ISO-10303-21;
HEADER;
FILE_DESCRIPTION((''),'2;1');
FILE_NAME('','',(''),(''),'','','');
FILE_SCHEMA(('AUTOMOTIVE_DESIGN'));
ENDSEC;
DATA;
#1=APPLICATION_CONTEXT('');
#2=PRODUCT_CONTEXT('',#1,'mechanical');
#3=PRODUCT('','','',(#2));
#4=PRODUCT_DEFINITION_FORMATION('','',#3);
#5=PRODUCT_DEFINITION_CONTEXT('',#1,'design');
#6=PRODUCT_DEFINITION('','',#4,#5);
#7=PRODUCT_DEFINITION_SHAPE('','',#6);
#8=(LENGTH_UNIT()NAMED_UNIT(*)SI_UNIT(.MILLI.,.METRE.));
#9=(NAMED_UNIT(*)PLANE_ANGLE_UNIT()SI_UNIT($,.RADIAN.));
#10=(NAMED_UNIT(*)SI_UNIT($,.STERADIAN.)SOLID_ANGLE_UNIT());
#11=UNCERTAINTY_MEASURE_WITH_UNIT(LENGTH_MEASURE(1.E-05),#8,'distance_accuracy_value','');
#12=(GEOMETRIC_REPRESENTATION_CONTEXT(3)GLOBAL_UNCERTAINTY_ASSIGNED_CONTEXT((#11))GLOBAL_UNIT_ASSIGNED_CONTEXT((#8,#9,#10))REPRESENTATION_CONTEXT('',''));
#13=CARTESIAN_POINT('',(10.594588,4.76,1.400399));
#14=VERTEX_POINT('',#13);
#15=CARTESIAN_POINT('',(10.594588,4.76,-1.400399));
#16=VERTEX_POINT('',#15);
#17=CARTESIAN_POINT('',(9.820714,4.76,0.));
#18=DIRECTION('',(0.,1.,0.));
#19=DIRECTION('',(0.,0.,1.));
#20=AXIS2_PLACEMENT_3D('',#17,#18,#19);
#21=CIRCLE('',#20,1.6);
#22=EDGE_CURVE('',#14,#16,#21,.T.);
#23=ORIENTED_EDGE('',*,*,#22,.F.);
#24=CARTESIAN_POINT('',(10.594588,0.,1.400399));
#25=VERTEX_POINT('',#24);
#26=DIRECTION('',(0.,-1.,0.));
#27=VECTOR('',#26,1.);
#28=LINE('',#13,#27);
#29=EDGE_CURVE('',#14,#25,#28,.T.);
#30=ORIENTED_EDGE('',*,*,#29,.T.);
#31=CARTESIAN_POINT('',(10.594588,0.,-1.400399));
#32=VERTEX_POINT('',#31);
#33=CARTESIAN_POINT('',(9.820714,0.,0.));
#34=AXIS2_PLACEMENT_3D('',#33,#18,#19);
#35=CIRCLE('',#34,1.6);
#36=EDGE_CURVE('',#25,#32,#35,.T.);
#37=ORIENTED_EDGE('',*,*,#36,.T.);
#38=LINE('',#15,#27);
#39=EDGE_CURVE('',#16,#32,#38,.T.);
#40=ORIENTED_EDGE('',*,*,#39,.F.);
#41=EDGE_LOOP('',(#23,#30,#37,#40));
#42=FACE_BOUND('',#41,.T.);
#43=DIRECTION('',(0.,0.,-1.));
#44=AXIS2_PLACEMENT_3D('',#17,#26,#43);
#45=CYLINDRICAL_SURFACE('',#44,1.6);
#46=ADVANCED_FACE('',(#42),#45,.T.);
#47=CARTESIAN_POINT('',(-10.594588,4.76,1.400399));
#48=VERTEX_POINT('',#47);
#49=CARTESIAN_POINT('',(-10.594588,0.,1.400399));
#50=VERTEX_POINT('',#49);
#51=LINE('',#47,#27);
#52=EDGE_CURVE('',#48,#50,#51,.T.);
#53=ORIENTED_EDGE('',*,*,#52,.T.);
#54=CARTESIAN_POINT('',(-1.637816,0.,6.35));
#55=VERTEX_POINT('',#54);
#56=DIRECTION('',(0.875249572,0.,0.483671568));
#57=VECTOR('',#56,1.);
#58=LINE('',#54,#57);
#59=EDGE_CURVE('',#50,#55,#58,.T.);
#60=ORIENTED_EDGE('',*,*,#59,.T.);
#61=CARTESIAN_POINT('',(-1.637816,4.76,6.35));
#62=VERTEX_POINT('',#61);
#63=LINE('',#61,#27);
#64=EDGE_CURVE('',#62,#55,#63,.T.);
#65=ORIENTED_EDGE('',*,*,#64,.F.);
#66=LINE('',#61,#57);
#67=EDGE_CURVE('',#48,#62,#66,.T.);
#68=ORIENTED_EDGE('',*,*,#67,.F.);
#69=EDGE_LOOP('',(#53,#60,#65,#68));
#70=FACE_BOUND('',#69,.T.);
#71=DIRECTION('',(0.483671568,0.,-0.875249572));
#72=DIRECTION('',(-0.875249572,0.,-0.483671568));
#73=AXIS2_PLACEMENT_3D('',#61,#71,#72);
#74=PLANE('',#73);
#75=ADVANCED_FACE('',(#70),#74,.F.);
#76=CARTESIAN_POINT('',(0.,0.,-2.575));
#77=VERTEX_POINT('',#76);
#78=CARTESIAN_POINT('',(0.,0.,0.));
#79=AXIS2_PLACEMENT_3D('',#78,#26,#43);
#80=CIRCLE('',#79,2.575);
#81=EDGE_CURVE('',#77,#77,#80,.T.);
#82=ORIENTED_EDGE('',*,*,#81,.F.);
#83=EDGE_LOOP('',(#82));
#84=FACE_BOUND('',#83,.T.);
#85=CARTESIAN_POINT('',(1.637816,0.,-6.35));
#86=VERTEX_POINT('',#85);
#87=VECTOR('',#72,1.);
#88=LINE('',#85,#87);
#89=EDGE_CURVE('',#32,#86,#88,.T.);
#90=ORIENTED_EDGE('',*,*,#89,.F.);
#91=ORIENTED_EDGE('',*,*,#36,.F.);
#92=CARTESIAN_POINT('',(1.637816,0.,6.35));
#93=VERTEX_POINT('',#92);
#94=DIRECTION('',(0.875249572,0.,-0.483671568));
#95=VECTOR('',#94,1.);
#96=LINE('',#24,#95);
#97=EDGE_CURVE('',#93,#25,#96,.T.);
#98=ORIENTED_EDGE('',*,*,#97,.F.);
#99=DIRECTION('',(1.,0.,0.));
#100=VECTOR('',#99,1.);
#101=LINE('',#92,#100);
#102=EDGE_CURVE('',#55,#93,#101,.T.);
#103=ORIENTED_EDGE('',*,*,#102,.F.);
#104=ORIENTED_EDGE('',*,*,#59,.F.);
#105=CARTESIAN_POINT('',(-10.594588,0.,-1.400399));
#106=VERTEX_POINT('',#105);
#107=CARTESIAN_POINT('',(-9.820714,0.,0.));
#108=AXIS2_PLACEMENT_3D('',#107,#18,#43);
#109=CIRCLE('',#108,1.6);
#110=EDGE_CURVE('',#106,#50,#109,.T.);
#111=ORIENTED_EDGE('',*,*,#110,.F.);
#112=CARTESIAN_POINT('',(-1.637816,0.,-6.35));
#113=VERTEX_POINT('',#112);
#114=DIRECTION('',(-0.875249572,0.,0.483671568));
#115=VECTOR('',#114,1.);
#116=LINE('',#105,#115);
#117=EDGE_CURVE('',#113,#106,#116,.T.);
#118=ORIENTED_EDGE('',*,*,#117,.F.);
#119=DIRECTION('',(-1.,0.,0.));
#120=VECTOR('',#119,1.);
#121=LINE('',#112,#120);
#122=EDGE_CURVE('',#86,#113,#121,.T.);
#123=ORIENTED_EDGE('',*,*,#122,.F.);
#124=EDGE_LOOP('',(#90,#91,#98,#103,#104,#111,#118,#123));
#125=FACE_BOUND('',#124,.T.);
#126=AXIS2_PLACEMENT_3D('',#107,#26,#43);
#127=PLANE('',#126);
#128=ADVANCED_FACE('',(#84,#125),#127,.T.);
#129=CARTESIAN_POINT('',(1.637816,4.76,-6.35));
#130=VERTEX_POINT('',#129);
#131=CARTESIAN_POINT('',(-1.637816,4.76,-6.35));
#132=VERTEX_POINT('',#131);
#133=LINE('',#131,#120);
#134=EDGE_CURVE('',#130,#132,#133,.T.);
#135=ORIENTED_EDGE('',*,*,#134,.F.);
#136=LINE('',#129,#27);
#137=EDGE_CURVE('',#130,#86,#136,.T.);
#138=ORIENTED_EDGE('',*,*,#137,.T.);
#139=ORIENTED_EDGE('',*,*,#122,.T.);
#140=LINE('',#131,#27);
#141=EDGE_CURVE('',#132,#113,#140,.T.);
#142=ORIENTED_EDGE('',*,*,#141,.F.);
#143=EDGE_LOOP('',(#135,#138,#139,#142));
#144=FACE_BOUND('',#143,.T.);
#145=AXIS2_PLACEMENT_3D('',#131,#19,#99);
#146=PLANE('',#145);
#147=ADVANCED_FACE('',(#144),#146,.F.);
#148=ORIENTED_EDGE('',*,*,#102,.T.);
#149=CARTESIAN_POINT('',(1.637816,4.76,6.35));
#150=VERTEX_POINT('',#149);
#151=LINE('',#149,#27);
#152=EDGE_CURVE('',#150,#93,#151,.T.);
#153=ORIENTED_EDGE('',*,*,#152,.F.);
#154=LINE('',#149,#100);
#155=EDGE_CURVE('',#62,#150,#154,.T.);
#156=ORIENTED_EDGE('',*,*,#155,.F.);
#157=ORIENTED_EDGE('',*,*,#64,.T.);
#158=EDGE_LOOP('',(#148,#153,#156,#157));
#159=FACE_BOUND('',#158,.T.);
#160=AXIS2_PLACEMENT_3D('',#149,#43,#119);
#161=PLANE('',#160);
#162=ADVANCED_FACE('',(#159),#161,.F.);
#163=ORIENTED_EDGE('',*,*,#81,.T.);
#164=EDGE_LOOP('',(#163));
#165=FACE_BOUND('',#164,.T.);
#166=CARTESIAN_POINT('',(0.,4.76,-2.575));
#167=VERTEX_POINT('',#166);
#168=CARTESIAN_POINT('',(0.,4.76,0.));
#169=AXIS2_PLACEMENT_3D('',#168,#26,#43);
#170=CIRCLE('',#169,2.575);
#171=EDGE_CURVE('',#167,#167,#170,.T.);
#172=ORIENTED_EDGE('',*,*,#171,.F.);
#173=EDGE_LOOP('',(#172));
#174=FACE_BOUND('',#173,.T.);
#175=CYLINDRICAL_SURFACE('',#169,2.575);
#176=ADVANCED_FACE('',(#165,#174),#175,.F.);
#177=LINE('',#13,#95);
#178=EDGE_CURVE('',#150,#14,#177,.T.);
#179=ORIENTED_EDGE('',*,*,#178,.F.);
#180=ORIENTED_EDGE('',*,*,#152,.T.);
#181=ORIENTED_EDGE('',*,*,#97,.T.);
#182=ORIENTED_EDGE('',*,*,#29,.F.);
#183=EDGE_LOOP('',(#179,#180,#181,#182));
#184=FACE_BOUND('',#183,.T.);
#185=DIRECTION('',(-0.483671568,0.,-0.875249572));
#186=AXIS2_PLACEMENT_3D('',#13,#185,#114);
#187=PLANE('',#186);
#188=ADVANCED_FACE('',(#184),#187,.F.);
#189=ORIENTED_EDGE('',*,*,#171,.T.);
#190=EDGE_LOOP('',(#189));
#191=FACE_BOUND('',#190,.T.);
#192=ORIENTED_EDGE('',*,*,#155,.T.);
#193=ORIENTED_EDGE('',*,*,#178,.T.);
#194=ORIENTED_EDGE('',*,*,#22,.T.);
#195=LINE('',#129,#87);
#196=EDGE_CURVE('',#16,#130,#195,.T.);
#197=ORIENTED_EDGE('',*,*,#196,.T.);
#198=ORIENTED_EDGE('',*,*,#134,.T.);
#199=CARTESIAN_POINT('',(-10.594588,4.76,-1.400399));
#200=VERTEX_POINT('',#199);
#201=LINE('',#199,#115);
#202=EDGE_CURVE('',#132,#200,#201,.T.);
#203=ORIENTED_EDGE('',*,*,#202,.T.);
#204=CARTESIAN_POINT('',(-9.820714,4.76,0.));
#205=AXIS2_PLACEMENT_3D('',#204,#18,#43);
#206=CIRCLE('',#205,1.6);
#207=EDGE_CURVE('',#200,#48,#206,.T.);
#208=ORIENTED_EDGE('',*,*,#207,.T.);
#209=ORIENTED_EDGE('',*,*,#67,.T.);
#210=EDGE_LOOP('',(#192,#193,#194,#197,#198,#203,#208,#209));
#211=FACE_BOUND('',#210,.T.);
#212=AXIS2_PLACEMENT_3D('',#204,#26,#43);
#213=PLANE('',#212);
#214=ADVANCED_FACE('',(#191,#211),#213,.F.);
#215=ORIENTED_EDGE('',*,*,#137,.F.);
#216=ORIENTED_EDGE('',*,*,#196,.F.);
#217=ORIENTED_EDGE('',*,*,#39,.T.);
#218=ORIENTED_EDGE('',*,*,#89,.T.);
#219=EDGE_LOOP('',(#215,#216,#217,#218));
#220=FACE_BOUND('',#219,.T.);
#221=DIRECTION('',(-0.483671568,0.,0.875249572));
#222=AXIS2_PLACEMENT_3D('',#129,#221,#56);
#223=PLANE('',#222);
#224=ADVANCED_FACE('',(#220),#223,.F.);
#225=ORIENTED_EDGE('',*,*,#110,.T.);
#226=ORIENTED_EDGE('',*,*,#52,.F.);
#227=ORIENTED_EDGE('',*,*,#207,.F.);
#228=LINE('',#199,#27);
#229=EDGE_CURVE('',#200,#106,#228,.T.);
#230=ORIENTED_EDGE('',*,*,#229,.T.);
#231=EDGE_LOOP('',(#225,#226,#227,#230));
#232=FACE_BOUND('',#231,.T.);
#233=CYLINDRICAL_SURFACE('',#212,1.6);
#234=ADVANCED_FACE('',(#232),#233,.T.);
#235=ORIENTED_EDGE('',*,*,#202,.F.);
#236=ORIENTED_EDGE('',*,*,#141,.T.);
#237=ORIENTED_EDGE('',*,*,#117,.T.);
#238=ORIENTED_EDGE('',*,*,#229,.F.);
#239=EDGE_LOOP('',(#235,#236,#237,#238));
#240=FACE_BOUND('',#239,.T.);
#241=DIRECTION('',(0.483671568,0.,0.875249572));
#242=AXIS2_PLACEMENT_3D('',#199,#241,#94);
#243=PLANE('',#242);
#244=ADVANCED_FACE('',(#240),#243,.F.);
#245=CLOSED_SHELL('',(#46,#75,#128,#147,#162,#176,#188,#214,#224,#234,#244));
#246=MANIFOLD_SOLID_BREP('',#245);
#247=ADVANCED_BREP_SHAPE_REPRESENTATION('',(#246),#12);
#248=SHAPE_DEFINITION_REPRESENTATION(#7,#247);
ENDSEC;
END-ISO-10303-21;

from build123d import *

# Parameters (mm, degrees)
AUFSATZ_LINEAR_AUSTRAGEN1_DEPTH = 4.76
SKIZZE2_R                       = 2.575
SCHNITT_LINEAR_AUSTRAGEN2_DEPTH = 4.76


with BuildPart() as part:
    # Skizze1 → Aufsatz-Linear austragen1 (new body)
    with BuildSketch(Plane(origin=(0, 0, 0), x_dir=(1, 0, 0), z_dir=(0, 1, 0))):
        with BuildLine():
            Line((1.637816376, 6.35), (10.594588216, 1.400399316))
            ThreePointArc((10.594588216, 1.400399316), (11.420713706, 0), (10.594588216, -1.400399316))
            Line((10.594588216, -1.400399316), (1.637816376, -6.35))
            Line((1.637816376, -6.35), (-1.637816376, -6.35))
            Line((-1.637816376, -6.35), (-10.594588216, -1.400399316))
            ThreePointArc((-10.594588216, -1.400399316), (-11.420713706, 0), (-10.594588216, 1.400399316))
            Line((-10.594588216, 1.400399316), (-1.637816376, 6.35))
            Line((-1.637816376, 6.35), (1.637816376, 6.35))
        make_face()
    extrude(amount=AUFSATZ_LINEAR_AUSTRAGEN1_DEPTH)

    # Skizze2 → Schnitt-Linear austragen2 (cut)
    with BuildSketch(Plane(origin=(0, 0, 0), x_dir=(-1, 0, 0), z_dir=(0, -1, 0))):
        with Locations(Location((0, 0, 0), (0, 0, 90))):  # turned: the seam where the file's is
            Circle(SKIZZE2_R)
    extrude(amount=-SCHNITT_LINEAR_AUSTRAGEN2_DEPTH, mode=Mode.SUBTRACT)


solid = part.part
